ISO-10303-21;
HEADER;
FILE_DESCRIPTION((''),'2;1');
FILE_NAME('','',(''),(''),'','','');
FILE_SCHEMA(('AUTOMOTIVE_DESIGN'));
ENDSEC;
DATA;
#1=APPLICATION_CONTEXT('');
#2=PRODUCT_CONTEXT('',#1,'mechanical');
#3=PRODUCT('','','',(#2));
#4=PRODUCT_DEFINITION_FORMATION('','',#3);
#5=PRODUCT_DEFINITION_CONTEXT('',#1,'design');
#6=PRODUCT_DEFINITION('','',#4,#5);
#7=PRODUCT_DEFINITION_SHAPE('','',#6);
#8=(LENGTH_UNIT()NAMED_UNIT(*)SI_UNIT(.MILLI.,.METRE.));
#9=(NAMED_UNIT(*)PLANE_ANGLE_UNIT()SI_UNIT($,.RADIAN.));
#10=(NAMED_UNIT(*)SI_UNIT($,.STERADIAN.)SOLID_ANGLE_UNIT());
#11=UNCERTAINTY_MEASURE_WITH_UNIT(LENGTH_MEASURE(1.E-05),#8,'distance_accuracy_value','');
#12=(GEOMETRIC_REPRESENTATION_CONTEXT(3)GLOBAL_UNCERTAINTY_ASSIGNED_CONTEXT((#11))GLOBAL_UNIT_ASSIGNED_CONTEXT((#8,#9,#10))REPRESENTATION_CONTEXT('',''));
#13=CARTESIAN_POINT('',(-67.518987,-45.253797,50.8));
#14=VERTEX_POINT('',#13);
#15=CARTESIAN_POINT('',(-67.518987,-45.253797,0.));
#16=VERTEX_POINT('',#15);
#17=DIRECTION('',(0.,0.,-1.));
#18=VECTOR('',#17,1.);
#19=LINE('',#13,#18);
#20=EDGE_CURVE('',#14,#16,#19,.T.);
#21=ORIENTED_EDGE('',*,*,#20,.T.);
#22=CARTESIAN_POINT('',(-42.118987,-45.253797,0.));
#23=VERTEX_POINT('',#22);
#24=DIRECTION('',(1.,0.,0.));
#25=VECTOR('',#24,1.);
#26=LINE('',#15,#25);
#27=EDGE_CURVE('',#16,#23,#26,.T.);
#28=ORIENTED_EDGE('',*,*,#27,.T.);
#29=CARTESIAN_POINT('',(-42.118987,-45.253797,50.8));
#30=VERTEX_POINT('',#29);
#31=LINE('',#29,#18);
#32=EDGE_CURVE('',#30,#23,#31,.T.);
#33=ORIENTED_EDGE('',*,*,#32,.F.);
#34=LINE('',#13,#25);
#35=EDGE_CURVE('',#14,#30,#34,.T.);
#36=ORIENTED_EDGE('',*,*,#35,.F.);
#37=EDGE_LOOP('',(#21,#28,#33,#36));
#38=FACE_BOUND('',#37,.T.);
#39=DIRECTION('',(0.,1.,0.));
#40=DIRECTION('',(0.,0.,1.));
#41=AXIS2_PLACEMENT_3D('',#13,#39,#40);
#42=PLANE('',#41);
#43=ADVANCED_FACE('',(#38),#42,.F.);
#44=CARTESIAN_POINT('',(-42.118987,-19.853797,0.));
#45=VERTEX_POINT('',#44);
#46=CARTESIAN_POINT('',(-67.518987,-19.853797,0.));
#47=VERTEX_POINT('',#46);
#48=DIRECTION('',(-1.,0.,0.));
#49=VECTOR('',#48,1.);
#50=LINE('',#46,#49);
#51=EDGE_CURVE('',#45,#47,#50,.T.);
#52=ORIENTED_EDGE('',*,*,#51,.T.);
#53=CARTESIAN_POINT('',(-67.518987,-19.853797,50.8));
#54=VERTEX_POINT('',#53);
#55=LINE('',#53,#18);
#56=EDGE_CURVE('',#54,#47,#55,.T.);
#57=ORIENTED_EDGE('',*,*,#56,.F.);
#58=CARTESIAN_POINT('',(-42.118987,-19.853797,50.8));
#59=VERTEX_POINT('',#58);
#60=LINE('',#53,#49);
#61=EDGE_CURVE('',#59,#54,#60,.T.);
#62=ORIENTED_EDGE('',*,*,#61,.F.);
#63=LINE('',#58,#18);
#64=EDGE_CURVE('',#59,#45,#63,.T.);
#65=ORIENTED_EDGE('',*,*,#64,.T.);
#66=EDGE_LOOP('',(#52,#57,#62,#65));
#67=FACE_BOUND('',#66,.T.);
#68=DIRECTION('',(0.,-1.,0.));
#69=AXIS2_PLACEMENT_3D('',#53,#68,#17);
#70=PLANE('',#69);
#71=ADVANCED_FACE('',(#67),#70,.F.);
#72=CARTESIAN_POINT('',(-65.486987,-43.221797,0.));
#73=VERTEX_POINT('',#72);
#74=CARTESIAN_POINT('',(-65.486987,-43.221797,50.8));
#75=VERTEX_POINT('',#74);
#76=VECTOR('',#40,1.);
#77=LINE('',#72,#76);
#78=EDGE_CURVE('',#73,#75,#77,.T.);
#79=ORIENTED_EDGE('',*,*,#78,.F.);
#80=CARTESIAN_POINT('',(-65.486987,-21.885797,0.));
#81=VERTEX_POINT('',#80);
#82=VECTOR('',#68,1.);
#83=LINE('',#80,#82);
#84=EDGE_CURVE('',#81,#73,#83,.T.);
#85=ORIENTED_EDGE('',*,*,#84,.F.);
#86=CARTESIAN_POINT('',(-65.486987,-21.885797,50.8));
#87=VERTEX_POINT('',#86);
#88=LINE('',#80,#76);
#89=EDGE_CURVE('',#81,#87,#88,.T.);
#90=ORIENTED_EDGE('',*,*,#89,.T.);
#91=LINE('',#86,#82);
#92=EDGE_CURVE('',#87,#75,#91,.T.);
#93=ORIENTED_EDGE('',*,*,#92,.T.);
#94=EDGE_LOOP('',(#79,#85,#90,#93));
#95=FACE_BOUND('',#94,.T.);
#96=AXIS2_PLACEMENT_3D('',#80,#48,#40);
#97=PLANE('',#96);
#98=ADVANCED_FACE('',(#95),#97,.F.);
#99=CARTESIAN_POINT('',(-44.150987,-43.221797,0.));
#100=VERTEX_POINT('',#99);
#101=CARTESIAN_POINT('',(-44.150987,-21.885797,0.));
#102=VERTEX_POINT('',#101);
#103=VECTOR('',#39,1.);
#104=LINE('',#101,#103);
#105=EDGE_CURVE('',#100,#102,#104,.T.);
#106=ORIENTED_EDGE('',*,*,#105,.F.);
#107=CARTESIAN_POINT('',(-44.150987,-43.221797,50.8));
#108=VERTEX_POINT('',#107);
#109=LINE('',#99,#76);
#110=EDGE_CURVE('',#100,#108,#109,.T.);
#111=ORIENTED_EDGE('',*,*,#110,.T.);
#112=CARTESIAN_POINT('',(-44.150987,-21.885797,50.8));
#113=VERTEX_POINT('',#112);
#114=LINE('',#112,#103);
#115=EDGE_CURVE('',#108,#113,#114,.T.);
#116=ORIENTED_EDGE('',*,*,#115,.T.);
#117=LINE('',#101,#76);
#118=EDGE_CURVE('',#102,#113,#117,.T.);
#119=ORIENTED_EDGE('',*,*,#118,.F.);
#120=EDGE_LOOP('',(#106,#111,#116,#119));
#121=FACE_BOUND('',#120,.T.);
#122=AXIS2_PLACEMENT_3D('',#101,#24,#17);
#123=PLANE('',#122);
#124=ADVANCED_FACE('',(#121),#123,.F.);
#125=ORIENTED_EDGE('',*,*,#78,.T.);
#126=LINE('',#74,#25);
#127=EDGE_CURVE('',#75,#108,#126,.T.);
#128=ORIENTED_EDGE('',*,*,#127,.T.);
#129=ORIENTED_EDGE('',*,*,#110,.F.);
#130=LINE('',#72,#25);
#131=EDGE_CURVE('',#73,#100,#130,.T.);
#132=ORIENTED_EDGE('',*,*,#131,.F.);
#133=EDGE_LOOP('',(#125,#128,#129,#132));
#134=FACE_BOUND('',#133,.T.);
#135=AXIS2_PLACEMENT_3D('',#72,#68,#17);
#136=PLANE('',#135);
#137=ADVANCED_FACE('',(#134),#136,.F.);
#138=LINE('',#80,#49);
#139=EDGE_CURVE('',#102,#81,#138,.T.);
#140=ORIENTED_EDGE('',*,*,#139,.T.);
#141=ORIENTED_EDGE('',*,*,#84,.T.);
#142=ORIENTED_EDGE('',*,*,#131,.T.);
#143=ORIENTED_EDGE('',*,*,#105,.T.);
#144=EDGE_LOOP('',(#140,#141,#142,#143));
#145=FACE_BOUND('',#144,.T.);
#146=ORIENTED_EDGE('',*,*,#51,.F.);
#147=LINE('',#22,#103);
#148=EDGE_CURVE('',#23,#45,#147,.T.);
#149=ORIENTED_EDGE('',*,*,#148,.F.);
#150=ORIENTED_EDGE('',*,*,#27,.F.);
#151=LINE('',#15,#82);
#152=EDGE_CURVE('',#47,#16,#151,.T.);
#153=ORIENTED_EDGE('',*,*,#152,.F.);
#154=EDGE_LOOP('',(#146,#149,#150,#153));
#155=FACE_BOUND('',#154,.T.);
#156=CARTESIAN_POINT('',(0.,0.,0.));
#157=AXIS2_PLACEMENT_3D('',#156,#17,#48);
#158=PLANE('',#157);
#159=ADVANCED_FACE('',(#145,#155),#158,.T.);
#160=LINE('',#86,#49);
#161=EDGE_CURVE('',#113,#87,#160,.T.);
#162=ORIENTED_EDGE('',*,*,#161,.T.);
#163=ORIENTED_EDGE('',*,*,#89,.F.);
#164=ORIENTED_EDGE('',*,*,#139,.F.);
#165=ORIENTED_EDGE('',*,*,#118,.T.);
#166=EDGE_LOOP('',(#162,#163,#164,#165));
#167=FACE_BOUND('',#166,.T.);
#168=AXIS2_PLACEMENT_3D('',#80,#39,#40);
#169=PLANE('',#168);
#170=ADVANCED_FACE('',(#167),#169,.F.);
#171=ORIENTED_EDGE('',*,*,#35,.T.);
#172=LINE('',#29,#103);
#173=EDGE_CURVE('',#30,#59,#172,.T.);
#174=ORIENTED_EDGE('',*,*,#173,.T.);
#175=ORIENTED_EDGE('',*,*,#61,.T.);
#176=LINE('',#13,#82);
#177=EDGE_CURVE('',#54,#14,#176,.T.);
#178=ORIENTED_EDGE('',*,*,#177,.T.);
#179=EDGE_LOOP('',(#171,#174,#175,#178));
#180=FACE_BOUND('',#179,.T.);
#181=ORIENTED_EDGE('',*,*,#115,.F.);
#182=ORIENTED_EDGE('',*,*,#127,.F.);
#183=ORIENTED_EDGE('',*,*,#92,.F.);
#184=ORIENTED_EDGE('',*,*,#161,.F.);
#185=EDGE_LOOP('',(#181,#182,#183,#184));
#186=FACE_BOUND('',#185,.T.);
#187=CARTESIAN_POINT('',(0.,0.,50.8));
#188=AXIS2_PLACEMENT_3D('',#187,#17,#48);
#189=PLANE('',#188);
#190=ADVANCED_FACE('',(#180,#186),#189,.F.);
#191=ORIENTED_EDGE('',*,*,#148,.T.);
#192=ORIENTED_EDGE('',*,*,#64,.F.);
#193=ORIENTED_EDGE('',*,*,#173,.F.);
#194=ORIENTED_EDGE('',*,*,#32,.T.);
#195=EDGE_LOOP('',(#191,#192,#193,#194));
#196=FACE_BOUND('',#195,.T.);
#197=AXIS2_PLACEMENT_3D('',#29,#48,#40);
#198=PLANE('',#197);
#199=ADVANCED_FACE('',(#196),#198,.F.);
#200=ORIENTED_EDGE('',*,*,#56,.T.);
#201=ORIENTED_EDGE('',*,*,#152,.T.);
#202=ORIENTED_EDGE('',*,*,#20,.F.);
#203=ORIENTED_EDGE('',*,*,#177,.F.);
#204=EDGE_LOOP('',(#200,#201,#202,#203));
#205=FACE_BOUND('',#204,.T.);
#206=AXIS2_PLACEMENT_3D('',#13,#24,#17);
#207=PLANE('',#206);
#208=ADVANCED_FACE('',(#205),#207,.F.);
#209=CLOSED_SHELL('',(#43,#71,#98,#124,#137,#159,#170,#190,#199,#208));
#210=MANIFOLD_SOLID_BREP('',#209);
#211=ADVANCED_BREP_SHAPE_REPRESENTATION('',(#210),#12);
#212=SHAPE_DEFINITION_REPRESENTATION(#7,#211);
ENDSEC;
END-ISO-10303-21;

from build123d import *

# Parameters (mm, degrees)
SKETCH1_W           = 25.4
SKETCH1_H           = 25.4
BOSS_EXTRUDE1_DEPTH = 50.8
SKETCH2_W           = 21.336
SKETCH2_H           = 21.336
CUT_EXTRUDE1_DEPTH  = 96.850716413


with BuildPart() as part:
    # Sketch1 → Boss-Extrude1 (new body)
    with BuildSketch(Plane.XY):
        with Locations((-54.818987342, -32.553797468)):
            Rectangle(SKETCH1_W, SKETCH1_H)
    extrude(amount=BOSS_EXTRUDE1_DEPTH)

    # Sketch2 → Cut-Extrude1 (cut, through all)
    with BuildSketch(Plane.XY.offset(50.8)):
        with Locations((-54.818987342, -32.553797468)):
            Rectangle(SKETCH2_W, SKETCH2_H)
    extrude(amount=-CUT_EXTRUDE1_DEPTH, mode=Mode.SUBTRACT)


solid = part.part
